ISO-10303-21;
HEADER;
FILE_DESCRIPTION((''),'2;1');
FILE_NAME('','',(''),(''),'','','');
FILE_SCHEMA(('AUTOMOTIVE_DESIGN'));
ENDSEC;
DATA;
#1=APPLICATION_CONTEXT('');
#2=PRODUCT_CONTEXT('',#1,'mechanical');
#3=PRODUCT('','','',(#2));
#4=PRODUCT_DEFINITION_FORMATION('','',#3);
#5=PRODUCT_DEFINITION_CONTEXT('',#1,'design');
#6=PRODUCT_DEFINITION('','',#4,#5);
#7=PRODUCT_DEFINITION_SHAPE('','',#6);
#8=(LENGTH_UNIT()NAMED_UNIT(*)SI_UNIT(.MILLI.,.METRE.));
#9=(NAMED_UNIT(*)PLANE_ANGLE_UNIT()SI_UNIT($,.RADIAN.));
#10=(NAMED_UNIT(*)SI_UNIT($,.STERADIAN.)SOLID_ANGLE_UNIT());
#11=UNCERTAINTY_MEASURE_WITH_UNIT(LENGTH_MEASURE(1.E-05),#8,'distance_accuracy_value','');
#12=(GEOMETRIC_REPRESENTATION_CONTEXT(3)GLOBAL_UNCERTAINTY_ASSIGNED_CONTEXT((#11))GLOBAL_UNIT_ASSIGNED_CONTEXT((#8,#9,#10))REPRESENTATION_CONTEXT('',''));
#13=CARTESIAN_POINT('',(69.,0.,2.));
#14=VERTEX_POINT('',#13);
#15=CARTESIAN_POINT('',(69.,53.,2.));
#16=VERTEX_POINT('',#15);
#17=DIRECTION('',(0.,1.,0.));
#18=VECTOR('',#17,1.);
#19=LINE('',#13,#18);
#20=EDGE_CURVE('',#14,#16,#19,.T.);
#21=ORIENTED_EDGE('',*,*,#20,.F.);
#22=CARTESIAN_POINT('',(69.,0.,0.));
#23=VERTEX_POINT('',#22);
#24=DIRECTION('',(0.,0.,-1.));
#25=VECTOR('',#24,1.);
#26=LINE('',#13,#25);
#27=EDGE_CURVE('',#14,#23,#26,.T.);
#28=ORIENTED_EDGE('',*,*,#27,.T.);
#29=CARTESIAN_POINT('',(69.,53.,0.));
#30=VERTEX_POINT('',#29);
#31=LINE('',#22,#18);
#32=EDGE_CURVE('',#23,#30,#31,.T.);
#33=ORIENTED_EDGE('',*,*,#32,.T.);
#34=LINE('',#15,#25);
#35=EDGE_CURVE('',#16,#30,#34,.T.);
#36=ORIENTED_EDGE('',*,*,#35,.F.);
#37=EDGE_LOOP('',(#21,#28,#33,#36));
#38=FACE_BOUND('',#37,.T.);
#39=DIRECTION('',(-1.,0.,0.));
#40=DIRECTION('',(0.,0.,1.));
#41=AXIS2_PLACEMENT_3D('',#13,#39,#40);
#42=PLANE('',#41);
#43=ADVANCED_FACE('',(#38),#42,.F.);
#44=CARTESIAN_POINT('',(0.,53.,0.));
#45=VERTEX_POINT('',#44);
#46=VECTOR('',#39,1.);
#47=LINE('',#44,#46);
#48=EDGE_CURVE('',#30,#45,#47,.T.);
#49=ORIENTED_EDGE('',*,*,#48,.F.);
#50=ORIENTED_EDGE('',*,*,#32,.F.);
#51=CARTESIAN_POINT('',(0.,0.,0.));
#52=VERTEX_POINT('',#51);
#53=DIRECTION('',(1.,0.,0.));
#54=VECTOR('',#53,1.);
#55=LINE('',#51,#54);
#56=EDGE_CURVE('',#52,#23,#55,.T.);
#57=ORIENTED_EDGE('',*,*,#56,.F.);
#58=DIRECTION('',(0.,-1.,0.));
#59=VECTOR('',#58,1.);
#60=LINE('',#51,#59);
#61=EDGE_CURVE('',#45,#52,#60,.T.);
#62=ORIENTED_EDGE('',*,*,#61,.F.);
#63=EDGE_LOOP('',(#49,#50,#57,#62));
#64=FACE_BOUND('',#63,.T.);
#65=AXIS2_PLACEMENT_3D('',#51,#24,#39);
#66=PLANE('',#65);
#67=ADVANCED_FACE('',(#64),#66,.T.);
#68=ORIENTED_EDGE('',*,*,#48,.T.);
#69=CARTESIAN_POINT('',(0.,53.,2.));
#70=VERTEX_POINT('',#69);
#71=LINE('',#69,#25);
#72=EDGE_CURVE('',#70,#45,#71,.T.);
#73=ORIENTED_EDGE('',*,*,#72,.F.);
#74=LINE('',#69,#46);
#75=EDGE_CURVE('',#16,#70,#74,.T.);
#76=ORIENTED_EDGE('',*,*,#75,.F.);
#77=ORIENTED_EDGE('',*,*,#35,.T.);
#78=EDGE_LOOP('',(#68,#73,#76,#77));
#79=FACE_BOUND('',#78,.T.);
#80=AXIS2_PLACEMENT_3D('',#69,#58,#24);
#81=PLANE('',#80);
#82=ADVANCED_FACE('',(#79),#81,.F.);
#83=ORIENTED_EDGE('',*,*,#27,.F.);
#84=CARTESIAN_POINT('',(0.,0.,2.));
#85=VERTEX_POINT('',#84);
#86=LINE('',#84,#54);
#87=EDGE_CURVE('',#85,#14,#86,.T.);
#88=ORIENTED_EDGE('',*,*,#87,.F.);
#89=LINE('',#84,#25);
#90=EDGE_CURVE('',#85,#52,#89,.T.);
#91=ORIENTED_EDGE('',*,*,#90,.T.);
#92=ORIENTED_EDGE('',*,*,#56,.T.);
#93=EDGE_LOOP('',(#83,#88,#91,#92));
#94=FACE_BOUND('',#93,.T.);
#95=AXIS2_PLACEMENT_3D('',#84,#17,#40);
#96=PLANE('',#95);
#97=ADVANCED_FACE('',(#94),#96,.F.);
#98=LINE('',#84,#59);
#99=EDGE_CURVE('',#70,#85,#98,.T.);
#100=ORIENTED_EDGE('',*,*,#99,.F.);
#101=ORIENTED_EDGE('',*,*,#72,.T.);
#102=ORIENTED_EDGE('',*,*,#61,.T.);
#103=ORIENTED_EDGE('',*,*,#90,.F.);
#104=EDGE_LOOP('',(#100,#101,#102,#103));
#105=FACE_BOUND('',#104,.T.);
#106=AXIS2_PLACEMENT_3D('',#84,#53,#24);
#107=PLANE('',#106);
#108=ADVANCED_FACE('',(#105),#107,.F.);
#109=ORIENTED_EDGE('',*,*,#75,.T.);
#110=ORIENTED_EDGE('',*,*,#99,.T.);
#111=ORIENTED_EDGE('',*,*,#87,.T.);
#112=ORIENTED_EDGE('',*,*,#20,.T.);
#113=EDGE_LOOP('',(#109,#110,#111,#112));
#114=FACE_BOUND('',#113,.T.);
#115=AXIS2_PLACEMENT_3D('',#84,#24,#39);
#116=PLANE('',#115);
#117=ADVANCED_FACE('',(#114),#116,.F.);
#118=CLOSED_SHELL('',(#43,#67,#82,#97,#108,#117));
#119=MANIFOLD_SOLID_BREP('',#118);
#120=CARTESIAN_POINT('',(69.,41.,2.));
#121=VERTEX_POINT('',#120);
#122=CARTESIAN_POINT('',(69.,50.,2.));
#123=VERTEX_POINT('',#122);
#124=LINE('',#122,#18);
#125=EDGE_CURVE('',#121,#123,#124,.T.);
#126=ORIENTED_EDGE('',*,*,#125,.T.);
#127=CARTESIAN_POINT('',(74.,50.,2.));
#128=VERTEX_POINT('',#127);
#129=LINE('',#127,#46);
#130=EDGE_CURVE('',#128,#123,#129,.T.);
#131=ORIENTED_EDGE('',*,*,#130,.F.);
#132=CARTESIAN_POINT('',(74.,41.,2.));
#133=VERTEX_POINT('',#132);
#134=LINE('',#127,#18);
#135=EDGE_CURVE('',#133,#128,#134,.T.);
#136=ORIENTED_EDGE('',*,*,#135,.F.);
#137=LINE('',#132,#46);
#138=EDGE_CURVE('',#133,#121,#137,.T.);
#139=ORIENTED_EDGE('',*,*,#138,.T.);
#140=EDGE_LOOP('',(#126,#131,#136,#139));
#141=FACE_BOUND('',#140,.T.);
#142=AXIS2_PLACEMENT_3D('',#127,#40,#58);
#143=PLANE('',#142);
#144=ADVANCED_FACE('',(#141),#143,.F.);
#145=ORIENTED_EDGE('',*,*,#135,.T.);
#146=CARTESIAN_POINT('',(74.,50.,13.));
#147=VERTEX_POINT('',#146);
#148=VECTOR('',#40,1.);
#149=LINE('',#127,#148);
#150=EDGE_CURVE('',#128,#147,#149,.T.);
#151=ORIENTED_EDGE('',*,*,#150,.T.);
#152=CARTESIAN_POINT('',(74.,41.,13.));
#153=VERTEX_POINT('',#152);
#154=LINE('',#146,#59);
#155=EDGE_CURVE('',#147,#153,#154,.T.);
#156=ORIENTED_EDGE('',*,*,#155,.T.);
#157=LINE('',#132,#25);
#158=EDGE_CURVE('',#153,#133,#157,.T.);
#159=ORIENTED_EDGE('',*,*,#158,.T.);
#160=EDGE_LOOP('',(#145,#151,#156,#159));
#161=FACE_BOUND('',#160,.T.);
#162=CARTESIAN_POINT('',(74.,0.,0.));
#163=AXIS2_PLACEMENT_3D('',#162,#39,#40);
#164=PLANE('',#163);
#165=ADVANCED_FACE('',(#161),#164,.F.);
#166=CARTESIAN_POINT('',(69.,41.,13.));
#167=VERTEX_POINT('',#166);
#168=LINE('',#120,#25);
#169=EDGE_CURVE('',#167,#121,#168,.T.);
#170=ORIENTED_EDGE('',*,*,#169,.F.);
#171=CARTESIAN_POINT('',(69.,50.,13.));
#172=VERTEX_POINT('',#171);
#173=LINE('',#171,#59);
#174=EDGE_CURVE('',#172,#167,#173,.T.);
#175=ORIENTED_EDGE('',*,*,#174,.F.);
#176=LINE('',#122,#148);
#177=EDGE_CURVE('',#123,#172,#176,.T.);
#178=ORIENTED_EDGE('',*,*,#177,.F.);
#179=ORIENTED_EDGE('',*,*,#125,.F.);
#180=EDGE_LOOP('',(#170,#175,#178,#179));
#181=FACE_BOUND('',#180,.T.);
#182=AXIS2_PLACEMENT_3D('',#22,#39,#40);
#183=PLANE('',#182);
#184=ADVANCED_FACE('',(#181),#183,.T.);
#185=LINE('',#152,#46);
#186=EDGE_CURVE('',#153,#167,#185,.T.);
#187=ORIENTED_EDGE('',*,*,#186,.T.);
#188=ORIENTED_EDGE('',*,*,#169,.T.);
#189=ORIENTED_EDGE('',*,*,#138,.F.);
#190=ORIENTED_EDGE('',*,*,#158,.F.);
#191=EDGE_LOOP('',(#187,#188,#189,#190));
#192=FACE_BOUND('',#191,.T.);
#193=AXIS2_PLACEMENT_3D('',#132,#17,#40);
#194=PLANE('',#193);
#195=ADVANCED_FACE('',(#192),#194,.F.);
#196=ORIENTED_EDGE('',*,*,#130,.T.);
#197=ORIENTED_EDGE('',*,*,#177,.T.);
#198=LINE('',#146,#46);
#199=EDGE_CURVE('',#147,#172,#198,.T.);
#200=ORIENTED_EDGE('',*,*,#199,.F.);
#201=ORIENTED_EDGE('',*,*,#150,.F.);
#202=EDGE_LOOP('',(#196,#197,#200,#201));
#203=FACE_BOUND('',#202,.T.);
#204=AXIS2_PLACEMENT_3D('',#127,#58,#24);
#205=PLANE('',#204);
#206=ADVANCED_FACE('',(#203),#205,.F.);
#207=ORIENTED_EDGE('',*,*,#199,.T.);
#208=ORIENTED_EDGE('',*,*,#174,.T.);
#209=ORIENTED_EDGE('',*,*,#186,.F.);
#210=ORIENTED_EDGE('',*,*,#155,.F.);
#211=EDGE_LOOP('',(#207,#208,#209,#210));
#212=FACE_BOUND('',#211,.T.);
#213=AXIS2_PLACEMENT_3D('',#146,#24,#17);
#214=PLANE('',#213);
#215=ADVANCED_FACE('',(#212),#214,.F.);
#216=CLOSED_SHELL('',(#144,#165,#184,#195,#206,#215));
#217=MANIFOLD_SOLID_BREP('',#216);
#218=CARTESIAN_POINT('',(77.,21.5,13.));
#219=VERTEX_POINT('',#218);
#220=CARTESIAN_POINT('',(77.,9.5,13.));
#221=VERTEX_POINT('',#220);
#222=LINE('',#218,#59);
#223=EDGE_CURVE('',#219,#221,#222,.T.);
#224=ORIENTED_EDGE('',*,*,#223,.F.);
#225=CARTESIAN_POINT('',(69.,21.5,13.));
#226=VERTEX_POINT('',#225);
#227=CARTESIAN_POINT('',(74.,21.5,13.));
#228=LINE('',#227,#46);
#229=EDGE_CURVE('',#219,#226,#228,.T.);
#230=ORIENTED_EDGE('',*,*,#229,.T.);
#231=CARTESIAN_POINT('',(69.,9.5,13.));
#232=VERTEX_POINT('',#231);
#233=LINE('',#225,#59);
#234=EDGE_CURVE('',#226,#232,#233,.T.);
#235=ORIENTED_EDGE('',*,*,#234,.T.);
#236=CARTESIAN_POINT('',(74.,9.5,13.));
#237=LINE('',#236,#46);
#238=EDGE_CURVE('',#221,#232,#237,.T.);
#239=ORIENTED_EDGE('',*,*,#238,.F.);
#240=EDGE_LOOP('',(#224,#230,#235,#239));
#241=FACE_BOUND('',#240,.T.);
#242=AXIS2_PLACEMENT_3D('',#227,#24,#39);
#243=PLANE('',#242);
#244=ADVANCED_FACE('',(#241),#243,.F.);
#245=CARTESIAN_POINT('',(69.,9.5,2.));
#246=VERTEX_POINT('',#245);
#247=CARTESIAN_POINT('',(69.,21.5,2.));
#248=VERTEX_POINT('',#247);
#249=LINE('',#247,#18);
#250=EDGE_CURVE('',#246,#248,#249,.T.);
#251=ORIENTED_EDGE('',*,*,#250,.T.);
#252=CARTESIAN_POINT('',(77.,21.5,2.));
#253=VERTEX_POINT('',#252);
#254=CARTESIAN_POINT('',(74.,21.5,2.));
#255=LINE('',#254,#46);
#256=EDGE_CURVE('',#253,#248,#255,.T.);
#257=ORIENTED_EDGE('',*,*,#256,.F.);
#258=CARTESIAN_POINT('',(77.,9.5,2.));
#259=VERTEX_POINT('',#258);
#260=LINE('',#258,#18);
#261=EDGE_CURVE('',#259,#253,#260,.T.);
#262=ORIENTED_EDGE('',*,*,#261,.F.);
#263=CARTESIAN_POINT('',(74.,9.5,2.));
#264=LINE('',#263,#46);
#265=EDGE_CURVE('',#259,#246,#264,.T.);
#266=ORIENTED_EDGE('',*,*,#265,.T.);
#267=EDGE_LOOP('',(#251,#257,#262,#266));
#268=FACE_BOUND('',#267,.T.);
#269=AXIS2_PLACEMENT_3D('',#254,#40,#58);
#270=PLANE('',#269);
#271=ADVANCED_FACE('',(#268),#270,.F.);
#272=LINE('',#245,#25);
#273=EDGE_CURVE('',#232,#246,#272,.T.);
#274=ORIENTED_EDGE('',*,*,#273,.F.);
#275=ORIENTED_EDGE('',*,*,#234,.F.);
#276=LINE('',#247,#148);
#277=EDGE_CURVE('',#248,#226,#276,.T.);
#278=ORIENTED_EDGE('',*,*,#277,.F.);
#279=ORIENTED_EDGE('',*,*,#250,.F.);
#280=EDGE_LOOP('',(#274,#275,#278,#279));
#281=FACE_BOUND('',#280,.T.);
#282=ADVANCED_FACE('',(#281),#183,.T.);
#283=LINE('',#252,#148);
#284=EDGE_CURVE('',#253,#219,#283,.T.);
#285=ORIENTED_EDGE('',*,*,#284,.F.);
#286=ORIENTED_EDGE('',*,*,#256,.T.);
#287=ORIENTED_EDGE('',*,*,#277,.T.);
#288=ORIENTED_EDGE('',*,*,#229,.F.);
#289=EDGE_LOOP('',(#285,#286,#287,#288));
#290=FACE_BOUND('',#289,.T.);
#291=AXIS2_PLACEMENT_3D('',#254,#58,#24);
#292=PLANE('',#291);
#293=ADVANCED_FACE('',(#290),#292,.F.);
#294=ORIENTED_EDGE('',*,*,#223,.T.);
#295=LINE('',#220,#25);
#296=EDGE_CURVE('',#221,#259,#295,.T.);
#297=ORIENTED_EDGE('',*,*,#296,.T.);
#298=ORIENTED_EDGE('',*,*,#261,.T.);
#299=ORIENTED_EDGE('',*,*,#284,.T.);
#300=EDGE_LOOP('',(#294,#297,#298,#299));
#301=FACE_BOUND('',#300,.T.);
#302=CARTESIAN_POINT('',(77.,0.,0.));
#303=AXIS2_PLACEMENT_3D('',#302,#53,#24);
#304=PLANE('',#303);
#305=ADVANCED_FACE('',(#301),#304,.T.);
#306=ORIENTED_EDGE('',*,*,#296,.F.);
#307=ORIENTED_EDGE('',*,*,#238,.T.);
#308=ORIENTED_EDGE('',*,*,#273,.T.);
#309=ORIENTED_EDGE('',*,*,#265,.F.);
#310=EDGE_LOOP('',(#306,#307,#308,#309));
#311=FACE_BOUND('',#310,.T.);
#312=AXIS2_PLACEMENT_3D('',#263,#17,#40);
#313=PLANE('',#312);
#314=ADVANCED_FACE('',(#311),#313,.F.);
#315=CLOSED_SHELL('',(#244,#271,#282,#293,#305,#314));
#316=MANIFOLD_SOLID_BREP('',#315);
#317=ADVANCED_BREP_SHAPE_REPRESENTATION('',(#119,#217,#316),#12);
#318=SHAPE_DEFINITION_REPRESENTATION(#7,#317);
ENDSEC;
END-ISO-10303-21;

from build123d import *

# Parameters (mm, degrees)
ESBO_O1_W                  = 69
ESBO_O1_H                  = 53
RESSALTO_EXTRUS_O1_DEPTH   = 2
ESBO_O2_W                  = 11
ESBO_O2_H                  = 9
RESSALTO_EXTRUS_O2_DEPTH   = 5
ESBO_O2_H_2                = 12
RESSALTO_EXTRUS_O2_2_DEPTH = 5
ESBO_O3_W                  = 11
ESBO_O3_H                  = 12
RESSALTO_EXTRUS_O3_DEPTH   = 3


with BuildPart() as part:
    # Esboço1 → Ressalto-extrusão1 (new body)
    with BuildSketch(Plane.XY):
        with Locations((34.5, 26.5)):
            Rectangle(ESBO_O1_W, ESBO_O1_H)
    extrude(amount=RESSALTO_EXTRUS_O1_DEPTH)


with BuildPart() as body_2:
    # Esboço2 → Ressalto-extrusão2 (new body)
    with BuildSketch(Plane(origin=(69, 0, 0), x_dir=(0, 0, -1), z_dir=(1, 0, 0))):
        with Locations((-7.5, 45.5)):
            Rectangle(ESBO_O2_W, ESBO_O2_H)
    extrude(amount=RESSALTO_EXTRUS_O2_DEPTH)


with BuildPart() as body_3:
    # Esboço2 → Ressalto-extrus_o2 2 (new body)
    with BuildSketch(Plane(origin=(69, 0, 0), x_dir=(0, 0, -1), z_dir=(1, 0, 0))):
        with Locations((-7.5, 15.5)):
            Rectangle(ESBO_O2_W, ESBO_O2_H_2)
    extrude(amount=RESSALTO_EXTRUS_O2_2_DEPTH)

    # Esboço3 → Ressalto-extrusão3 (add)
    with BuildSketch(Plane(origin=(74, 0, 0), x_dir=(0, 0, -1), z_dir=(1, 0, 0))):
        with Locations((-7.5, 15.5)):
            Rectangle(ESBO_O3_W, ESBO_O3_H)
    extrude(amount=RESSALTO_EXTRUS_O3_DEPTH)


solid = Compound([part.part, body_2.part, body_3.part])
